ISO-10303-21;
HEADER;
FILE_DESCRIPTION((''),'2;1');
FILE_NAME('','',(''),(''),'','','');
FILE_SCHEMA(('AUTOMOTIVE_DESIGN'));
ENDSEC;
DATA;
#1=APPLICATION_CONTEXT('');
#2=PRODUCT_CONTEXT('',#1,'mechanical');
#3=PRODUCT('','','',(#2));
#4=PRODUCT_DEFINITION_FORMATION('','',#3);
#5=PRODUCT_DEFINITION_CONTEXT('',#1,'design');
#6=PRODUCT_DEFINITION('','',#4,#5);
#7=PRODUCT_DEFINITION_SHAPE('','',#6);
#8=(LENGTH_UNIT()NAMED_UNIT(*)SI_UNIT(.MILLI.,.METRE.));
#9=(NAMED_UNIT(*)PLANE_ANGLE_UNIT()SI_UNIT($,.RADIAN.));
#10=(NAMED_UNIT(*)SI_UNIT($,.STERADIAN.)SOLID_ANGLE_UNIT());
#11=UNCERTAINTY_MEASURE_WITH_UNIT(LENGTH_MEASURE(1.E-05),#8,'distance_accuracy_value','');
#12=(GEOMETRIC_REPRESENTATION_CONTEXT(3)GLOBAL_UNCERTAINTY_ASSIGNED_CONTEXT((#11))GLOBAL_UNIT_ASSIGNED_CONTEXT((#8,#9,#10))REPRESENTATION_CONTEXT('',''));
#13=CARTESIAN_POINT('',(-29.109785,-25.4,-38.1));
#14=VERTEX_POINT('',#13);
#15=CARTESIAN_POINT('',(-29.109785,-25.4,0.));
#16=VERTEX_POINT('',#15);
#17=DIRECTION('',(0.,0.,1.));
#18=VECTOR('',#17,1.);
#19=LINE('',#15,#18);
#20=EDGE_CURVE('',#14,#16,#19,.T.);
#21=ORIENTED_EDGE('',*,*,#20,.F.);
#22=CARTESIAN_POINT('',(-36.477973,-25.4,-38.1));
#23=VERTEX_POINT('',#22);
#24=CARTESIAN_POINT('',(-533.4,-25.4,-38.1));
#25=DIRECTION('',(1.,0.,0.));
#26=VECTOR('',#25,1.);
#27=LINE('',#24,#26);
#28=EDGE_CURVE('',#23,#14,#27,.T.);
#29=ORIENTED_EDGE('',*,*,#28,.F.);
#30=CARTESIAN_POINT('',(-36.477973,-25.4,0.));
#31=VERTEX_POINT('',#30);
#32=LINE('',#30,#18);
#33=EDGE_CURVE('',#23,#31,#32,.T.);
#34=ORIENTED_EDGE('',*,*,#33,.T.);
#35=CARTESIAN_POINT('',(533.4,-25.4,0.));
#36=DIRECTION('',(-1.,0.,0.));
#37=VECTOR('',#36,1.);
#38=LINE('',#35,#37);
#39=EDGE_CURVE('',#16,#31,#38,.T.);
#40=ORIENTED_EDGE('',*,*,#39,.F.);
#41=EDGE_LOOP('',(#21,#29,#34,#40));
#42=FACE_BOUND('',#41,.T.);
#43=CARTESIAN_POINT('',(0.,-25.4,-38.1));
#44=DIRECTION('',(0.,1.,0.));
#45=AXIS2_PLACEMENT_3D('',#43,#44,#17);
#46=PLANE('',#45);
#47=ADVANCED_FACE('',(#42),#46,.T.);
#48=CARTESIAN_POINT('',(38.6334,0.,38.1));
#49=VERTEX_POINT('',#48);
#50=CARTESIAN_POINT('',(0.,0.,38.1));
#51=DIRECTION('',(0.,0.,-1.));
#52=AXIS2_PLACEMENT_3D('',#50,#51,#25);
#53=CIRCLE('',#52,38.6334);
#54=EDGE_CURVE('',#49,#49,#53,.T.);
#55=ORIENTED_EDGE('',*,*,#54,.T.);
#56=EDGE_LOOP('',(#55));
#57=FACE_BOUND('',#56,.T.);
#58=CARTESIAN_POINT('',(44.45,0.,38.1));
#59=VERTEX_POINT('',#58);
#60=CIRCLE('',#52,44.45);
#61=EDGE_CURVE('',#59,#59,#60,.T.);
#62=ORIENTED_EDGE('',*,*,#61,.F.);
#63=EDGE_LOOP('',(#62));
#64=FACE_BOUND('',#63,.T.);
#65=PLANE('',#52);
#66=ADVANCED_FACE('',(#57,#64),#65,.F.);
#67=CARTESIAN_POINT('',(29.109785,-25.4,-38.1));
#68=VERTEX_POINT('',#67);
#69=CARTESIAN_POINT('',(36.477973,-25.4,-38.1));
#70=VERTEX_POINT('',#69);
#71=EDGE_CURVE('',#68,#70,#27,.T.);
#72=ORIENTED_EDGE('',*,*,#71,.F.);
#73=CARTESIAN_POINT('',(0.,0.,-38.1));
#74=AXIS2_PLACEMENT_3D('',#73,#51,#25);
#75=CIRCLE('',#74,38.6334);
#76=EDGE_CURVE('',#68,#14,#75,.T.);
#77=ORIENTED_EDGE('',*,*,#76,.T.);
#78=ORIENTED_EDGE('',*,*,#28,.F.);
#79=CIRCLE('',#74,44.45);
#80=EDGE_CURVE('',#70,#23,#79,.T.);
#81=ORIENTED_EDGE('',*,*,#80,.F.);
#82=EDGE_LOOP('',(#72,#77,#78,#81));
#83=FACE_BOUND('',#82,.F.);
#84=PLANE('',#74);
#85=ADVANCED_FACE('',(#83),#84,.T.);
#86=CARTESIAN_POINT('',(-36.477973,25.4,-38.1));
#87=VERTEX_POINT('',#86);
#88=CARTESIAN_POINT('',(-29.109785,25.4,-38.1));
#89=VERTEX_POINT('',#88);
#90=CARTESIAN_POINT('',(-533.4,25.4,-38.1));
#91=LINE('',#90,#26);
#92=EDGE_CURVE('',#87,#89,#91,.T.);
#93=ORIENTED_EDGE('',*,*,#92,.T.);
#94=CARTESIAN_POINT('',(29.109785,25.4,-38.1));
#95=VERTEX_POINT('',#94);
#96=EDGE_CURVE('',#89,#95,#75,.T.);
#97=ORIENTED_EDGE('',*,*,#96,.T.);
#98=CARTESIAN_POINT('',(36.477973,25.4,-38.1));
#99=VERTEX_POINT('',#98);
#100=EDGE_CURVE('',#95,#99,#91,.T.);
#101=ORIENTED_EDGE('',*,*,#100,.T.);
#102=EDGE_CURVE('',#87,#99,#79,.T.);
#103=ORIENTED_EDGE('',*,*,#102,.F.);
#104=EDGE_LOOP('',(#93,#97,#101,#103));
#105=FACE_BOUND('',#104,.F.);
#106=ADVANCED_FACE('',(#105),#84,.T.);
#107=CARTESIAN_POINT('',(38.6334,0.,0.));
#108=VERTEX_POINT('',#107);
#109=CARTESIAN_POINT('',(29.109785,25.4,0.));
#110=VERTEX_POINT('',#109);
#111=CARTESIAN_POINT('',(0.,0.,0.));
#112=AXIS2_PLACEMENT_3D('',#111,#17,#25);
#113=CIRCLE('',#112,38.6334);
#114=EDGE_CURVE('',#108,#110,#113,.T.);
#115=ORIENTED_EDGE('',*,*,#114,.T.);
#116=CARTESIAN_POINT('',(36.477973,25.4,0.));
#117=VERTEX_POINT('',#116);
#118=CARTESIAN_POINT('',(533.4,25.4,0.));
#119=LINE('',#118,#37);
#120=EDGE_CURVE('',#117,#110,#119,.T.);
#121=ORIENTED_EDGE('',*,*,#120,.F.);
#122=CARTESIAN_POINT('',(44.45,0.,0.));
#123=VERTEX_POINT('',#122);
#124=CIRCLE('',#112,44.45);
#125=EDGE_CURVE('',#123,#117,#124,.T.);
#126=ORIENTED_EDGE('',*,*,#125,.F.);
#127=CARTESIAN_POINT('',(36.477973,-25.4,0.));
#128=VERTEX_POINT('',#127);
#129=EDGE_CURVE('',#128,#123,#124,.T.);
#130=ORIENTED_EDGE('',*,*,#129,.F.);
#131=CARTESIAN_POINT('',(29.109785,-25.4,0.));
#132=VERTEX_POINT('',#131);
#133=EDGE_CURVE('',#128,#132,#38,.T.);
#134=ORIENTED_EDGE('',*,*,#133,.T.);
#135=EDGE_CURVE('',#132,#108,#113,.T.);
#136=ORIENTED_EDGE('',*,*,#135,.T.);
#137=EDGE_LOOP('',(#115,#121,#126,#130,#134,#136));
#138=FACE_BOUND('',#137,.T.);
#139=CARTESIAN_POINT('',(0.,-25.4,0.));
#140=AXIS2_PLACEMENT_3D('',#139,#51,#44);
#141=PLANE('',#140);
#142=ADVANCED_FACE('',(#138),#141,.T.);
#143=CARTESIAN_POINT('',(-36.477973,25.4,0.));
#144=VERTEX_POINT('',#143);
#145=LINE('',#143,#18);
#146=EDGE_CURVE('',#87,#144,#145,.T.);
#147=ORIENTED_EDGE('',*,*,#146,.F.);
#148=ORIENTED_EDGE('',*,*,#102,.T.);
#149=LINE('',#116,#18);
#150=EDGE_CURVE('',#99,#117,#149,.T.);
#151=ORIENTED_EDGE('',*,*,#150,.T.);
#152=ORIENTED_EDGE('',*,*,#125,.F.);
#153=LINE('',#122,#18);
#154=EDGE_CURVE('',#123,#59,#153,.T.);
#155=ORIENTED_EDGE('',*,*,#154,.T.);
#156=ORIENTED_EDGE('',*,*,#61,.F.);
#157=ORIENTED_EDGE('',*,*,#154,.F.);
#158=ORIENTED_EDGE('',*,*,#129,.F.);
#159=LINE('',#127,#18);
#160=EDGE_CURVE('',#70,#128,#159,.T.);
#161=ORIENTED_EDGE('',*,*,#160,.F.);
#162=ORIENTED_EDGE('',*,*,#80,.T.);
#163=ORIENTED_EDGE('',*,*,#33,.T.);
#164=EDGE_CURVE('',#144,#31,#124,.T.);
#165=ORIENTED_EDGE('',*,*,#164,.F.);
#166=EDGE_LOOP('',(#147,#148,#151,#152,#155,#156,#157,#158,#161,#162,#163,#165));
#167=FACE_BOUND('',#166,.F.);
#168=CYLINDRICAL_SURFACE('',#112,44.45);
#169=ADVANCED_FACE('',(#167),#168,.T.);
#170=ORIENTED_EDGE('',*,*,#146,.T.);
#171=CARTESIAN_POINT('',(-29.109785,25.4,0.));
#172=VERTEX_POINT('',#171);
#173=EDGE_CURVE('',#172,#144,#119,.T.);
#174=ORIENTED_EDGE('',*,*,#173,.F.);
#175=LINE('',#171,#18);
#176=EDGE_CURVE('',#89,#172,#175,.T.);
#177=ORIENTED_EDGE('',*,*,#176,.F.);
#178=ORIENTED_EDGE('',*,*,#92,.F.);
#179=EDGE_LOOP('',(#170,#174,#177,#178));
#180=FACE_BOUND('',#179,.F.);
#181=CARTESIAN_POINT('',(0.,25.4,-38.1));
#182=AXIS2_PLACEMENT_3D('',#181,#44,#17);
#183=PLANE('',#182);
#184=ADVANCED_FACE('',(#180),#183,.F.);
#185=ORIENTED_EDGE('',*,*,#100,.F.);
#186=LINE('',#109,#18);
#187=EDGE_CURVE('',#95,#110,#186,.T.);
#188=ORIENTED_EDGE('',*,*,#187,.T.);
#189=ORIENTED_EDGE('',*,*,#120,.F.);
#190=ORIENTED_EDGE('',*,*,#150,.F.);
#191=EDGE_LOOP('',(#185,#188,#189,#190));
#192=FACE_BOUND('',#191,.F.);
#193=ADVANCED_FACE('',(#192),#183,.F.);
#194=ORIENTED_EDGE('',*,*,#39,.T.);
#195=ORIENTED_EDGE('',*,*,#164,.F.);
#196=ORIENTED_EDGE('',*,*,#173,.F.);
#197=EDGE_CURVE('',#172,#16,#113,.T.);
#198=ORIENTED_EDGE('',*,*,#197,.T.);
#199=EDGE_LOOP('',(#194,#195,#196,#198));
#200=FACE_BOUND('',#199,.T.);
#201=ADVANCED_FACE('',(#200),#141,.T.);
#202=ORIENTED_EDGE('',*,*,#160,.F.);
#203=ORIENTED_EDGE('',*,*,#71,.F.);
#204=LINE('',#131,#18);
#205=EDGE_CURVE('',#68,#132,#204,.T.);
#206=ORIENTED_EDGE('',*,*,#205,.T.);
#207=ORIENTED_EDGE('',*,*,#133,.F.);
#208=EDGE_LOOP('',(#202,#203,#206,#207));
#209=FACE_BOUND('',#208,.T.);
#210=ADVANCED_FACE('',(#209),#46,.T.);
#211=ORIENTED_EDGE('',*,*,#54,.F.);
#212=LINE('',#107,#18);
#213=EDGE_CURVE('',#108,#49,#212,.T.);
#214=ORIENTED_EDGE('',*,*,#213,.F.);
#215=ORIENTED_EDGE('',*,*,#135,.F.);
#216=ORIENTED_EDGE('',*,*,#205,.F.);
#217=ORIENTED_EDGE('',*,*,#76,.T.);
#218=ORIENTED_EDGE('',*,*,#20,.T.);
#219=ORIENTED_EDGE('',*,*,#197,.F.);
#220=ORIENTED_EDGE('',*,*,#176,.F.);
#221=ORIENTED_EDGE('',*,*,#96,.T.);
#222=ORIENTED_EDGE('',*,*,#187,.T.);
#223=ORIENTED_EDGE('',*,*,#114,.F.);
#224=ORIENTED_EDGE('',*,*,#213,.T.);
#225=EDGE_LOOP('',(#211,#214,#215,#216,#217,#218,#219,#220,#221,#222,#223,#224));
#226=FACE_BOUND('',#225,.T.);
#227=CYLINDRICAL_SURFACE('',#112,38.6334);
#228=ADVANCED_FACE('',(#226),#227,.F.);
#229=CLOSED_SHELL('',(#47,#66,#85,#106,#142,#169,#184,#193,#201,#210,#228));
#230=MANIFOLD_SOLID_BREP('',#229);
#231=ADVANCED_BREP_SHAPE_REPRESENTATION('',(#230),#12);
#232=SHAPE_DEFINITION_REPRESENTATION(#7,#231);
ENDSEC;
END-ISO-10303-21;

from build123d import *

# Parameters (mm, degrees)
F0_W     = 5.8166
F0_H     = 76.2
F2_W     = 50.8
F2_H     = 38.1
F3_DEPTH = 533.4


with BuildPart() as f1:
    # F0 (on Front) → F1 (revolve)
    with BuildSketch(Plane.XZ):
        with Locations((41.5417, 0)):
            Rectangle(F0_W, F0_H)
    revolve(axis=Axis((0, 0, 0), (0, 0, -1)))

    # F2 (on Right) → F3 (cut, symmetric)
    with BuildSketch(Plane.YZ):
        with Locations((0, -19.05)):
            Rectangle(F2_W, F2_H)
    extrude(amount=F3_DEPTH, both=True, mode=Mode.SUBTRACT)


solid = f1.part
